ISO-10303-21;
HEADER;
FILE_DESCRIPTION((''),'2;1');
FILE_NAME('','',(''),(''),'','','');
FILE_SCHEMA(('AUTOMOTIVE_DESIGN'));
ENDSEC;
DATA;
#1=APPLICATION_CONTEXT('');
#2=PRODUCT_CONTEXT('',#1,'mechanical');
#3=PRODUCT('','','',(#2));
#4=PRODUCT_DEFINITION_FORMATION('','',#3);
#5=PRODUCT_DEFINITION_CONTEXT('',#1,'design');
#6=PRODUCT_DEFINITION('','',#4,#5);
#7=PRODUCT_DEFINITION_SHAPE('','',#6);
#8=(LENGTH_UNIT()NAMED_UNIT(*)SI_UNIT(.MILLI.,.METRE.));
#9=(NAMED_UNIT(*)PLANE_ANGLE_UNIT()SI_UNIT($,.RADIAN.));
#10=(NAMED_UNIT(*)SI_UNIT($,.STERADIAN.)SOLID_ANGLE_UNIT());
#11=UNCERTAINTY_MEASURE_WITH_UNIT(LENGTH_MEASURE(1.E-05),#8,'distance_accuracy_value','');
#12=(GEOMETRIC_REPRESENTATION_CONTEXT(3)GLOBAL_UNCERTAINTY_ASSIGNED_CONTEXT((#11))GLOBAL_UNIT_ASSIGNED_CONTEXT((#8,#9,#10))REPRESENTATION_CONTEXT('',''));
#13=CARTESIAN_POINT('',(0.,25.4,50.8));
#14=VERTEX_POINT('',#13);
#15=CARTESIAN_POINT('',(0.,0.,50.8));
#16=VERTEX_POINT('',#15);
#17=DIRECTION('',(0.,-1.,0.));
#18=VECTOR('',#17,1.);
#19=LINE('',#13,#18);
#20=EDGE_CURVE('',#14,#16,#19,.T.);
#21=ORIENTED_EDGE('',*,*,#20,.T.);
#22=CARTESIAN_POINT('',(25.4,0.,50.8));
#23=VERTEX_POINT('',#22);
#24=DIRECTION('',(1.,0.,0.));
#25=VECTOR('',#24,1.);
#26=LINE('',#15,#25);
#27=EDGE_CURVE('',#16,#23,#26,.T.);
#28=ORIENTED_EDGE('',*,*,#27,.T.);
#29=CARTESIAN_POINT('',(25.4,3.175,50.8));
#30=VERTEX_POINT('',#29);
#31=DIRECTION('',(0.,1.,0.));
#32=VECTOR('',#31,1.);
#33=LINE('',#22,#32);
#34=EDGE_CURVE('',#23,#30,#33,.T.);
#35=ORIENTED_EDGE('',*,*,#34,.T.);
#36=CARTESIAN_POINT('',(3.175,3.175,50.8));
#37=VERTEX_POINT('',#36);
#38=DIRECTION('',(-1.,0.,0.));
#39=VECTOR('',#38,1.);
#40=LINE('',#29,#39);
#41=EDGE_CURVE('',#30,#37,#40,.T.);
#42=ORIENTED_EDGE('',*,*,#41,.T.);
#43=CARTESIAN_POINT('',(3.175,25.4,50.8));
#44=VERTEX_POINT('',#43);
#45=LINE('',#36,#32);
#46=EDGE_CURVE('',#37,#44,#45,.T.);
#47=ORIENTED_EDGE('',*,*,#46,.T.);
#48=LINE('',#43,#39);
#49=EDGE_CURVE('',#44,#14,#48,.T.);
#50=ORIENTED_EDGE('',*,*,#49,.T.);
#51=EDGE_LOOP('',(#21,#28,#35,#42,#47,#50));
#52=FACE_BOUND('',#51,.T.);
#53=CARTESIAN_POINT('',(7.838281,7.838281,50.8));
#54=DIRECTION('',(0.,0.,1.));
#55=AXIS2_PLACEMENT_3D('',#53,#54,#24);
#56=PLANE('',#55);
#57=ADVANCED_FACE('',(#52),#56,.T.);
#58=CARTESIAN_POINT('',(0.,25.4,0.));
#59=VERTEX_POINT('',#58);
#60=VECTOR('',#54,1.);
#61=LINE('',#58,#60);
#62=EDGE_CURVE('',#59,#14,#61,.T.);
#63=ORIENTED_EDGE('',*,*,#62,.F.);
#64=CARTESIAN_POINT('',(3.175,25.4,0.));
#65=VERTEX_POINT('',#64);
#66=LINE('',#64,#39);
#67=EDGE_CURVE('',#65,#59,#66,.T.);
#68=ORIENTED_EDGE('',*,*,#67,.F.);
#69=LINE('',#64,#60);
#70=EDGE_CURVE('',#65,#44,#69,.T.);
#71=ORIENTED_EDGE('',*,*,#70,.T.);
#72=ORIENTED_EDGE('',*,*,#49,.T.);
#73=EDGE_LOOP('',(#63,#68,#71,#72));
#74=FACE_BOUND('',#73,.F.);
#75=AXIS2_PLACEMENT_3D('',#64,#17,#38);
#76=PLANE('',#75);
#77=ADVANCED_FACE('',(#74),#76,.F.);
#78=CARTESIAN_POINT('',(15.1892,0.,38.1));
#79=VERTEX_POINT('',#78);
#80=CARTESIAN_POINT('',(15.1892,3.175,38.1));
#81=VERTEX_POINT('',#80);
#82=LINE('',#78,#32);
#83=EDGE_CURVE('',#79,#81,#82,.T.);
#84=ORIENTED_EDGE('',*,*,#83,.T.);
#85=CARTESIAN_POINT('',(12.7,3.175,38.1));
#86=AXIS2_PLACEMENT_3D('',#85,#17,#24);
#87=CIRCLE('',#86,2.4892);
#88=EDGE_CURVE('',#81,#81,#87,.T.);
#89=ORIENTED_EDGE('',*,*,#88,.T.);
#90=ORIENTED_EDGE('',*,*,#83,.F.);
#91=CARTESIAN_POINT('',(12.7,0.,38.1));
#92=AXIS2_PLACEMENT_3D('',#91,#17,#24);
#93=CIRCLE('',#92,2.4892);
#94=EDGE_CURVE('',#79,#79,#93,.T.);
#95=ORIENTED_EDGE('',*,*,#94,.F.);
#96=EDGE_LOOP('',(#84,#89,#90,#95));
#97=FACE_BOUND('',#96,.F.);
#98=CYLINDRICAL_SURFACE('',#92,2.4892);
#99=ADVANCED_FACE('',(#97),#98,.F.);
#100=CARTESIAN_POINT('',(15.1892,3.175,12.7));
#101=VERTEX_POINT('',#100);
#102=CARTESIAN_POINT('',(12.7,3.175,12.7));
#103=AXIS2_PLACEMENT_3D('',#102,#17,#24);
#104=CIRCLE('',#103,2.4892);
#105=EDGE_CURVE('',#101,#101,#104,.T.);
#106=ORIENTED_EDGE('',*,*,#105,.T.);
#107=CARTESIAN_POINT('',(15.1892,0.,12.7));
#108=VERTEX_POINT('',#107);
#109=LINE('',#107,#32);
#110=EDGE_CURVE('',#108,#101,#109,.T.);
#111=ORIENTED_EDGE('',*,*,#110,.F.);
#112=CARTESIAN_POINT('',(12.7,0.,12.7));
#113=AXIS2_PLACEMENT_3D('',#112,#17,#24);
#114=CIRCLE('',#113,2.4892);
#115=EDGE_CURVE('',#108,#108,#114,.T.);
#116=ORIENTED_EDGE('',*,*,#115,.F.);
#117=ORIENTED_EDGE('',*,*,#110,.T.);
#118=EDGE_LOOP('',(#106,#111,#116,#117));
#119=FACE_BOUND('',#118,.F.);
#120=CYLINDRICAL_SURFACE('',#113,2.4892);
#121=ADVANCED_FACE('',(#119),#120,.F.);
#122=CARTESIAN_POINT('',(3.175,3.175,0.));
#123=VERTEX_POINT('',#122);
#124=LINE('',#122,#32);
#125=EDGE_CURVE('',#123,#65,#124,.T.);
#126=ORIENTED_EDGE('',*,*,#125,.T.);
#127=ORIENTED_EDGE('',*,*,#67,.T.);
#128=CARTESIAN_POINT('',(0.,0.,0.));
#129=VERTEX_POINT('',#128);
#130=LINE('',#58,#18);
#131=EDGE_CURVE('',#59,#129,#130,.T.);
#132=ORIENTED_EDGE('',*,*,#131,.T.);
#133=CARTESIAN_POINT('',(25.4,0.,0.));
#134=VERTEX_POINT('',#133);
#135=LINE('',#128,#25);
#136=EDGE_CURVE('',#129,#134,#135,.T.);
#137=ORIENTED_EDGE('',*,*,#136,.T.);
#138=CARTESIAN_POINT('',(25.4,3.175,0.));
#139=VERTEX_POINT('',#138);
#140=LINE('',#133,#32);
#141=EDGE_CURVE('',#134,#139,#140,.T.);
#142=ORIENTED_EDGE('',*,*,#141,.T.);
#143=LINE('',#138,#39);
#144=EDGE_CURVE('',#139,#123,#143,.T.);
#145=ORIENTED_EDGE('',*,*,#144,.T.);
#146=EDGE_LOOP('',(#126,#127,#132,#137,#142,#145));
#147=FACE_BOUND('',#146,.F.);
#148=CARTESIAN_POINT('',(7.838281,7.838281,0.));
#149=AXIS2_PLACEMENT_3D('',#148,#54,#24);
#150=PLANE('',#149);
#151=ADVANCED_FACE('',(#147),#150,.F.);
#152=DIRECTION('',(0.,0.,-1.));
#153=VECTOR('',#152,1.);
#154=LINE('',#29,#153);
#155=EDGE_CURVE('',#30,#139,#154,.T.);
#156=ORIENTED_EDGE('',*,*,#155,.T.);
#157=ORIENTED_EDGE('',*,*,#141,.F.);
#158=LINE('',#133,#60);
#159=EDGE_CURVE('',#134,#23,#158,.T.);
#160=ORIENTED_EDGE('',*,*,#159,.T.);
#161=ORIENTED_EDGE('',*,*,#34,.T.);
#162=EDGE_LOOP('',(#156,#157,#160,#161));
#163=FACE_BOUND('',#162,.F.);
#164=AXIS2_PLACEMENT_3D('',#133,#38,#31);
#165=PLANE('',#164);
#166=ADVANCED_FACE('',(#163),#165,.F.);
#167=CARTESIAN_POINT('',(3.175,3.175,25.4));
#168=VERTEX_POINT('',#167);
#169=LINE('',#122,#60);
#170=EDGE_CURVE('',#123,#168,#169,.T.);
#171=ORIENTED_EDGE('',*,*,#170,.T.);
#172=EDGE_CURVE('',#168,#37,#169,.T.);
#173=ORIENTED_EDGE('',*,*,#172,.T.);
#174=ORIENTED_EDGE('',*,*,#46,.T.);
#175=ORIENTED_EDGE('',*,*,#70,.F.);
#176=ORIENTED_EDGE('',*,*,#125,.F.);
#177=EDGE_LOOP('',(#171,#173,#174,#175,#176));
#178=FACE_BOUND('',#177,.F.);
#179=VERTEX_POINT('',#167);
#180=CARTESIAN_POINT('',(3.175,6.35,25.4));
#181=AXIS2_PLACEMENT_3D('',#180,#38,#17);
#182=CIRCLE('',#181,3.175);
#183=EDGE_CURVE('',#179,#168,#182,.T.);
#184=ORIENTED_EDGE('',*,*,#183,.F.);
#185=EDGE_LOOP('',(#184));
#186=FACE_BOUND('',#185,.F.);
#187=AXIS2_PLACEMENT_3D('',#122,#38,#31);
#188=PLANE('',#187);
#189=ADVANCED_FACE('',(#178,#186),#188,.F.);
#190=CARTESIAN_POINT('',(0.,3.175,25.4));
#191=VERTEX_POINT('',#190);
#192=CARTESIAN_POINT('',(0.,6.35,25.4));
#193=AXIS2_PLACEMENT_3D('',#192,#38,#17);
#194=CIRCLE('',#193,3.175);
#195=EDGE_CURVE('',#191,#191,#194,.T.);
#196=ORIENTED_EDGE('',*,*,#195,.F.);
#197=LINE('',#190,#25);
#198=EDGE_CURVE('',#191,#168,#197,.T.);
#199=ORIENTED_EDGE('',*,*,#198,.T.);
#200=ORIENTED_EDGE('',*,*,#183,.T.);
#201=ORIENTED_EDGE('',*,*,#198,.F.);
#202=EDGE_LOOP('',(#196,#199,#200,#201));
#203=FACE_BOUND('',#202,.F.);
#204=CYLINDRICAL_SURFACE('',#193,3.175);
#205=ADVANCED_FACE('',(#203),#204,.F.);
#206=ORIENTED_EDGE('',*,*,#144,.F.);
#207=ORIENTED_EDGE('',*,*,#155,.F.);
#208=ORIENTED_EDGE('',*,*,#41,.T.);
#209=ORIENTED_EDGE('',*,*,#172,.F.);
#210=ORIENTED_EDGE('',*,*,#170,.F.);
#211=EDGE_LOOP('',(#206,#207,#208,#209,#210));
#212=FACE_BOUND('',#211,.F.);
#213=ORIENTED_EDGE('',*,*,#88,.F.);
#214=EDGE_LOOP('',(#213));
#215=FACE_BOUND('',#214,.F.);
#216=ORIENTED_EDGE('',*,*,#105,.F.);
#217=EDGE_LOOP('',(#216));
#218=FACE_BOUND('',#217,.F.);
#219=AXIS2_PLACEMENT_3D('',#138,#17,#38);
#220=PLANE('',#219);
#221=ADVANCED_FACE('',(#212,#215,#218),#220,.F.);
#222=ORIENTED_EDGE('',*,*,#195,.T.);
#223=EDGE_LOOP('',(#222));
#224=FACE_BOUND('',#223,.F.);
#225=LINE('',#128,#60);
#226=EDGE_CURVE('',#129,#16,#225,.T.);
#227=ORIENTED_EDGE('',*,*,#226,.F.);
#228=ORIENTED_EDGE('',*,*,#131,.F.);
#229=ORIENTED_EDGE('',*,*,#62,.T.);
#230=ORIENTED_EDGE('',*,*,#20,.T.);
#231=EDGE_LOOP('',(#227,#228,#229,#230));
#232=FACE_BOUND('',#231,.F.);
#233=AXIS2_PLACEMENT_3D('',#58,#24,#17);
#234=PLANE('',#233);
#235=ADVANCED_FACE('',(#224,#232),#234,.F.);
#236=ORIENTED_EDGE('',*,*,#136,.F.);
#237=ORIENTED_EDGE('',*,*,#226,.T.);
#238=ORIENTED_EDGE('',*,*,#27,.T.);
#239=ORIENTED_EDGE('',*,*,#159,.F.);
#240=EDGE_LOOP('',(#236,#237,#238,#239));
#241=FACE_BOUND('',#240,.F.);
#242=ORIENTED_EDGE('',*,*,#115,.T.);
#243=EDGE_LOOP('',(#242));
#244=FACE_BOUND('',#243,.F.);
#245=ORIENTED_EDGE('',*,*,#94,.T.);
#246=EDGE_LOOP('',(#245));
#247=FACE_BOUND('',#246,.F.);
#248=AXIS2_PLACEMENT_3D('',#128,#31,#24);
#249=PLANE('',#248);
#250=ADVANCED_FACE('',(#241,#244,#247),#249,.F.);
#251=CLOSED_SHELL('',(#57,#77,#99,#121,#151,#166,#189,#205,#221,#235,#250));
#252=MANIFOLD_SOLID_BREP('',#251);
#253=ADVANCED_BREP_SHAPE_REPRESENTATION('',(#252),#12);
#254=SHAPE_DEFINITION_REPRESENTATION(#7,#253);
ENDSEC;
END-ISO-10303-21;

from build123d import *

# Parameters (mm, degrees)
F1_DEPTH = 50.8
F2_R     = 2.4892
F3_DEPTH = 25.4
F4_R     = 3.175
F5_DEPTH = 25.4


with BuildPart() as f1:
    # F0 (on Top) → F1 (new body)
    with BuildSketch(Plane.XY):
        Polygon((3.175, 25.4), (0, 25.4), (0, 0), (25.4, 0), (25.4, 3.175), (3.175, 3.175), align=None)
    extrude(amount=F1_DEPTH)

    # F2 (on face) → F3 (cut)
    with BuildSketch(Plane.XZ):
        with Locations((12.7, 38.1)):
            Circle(F2_R)
        with Locations((12.7, 12.7)):
            Circle(F2_R)
    extrude(amount=-F3_DEPTH, mode=Mode.SUBTRACT)

    # F4 (on face) → F5 (cut)
    with BuildSketch(Plane(origin=(0, 0, 0), x_dir=(0, -1, 0), z_dir=(-1, 0, 0))):
        with Locations((-6.35, 25.4)):
            Circle(F4_R)
    extrude(amount=-F5_DEPTH, mode=Mode.SUBTRACT)


solid = f1.part
